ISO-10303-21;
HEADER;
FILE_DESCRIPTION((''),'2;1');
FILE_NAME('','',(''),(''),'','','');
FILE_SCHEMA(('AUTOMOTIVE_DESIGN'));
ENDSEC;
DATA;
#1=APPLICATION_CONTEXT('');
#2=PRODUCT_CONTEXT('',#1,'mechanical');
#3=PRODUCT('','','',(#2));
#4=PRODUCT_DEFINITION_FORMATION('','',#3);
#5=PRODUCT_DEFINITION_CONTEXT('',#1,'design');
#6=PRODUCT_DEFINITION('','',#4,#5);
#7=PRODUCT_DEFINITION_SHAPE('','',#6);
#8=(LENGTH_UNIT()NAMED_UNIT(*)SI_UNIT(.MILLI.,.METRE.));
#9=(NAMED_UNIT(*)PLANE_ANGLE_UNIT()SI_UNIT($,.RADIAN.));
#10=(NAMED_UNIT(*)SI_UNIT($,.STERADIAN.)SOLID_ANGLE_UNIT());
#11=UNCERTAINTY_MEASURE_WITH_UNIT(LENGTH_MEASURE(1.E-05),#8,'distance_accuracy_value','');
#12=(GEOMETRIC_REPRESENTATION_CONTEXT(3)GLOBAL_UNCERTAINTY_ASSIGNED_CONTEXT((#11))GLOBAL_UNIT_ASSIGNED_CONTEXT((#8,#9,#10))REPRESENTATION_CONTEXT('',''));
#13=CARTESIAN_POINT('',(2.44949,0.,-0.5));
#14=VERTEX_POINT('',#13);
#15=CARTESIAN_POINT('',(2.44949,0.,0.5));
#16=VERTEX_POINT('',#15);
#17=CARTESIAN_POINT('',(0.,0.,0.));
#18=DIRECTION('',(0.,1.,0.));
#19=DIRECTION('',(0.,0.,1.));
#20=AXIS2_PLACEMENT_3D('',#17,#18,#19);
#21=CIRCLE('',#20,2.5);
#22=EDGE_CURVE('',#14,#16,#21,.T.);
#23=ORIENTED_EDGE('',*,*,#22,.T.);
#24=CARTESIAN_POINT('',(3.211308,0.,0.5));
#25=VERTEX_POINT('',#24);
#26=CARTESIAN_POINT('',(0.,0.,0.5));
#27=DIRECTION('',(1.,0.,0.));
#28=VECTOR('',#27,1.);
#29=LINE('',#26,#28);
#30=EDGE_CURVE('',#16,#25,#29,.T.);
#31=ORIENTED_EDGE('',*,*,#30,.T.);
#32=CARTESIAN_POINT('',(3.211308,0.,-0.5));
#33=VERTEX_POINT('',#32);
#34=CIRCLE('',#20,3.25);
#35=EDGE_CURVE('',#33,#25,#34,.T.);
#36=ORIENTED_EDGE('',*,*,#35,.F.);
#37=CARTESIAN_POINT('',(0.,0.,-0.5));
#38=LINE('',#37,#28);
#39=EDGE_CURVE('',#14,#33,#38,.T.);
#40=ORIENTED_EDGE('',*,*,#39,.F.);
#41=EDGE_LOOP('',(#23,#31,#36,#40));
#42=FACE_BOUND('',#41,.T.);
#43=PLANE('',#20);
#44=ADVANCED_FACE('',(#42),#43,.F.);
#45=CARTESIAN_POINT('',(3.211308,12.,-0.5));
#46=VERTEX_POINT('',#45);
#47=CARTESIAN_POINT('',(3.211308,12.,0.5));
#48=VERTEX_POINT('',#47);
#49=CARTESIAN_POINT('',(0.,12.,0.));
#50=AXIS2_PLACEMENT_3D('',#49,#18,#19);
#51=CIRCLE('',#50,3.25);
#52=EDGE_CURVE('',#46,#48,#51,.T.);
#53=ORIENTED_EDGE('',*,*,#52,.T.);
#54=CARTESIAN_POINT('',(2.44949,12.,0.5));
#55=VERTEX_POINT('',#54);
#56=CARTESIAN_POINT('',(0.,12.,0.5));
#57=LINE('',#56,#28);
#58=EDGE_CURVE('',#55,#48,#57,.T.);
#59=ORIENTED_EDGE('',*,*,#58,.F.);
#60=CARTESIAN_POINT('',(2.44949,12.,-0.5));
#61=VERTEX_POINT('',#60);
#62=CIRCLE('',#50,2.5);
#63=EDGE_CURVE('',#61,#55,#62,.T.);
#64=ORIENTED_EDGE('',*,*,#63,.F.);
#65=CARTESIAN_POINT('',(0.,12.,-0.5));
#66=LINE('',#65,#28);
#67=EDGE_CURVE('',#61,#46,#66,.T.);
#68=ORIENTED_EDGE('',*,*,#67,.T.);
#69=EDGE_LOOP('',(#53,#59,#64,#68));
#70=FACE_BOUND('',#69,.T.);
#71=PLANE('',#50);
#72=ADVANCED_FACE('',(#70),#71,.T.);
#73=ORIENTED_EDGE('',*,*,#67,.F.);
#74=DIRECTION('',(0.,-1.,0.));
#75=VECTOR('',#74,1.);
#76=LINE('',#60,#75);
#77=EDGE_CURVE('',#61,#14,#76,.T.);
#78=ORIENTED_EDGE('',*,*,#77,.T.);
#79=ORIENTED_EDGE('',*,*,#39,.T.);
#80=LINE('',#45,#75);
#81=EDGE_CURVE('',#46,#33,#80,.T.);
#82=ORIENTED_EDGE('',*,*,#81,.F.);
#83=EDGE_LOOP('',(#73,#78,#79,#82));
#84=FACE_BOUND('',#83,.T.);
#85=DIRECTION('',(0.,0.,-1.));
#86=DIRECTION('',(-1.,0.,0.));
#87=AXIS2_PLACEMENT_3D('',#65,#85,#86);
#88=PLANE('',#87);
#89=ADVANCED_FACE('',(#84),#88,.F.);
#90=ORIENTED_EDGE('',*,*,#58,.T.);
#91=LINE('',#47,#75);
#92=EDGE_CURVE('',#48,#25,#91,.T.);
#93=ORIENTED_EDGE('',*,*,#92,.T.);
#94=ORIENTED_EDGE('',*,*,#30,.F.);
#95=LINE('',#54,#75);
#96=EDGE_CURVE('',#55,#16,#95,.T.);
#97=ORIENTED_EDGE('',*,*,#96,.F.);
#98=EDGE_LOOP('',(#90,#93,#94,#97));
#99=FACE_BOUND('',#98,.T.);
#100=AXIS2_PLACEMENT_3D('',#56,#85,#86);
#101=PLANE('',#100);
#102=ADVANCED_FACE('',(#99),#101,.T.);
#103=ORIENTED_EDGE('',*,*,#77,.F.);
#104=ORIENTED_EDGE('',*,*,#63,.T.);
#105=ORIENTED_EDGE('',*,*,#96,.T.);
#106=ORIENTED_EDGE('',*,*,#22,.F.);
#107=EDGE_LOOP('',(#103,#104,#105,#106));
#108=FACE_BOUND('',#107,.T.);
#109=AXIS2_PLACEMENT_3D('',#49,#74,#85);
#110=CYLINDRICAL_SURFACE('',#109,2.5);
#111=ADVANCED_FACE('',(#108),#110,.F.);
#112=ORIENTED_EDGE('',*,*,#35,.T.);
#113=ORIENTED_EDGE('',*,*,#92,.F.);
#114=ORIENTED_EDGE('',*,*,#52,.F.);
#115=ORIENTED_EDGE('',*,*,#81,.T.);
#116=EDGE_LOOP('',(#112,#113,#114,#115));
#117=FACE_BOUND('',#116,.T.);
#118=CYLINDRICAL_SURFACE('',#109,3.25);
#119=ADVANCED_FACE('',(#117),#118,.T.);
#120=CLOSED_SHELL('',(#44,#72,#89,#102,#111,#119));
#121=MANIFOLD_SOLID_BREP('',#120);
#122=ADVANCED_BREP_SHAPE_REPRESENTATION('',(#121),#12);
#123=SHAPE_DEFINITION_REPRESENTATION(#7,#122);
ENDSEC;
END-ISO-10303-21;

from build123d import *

# Parameters (mm, degrees)
BOSS_EXTRUDE1_DEPTH = 12


with BuildPart() as part:
    # Sketch1 → Boss-Extrude1 (new body)
    with BuildSketch(Plane(origin=(0, 0, 0), x_dir=(1, 0, 0), z_dir=(0, 1, 0))):
        with BuildLine():
            ThreePointArc((2.449489743, -0.5), (-2.5, 0), (2.449489743, 0.5))
            Line((2.449489743, 0.5), (3.211308145, 0.5))
            ThreePointArc((3.211308145, 0.5), (-3.25, 0), (3.211308145, -0.5))
            Line((3.211308145, -0.5), (2.449489743, -0.5))
        make_face()
    extrude(amount=BOSS_EXTRUDE1_DEPTH)


solid = part.part
